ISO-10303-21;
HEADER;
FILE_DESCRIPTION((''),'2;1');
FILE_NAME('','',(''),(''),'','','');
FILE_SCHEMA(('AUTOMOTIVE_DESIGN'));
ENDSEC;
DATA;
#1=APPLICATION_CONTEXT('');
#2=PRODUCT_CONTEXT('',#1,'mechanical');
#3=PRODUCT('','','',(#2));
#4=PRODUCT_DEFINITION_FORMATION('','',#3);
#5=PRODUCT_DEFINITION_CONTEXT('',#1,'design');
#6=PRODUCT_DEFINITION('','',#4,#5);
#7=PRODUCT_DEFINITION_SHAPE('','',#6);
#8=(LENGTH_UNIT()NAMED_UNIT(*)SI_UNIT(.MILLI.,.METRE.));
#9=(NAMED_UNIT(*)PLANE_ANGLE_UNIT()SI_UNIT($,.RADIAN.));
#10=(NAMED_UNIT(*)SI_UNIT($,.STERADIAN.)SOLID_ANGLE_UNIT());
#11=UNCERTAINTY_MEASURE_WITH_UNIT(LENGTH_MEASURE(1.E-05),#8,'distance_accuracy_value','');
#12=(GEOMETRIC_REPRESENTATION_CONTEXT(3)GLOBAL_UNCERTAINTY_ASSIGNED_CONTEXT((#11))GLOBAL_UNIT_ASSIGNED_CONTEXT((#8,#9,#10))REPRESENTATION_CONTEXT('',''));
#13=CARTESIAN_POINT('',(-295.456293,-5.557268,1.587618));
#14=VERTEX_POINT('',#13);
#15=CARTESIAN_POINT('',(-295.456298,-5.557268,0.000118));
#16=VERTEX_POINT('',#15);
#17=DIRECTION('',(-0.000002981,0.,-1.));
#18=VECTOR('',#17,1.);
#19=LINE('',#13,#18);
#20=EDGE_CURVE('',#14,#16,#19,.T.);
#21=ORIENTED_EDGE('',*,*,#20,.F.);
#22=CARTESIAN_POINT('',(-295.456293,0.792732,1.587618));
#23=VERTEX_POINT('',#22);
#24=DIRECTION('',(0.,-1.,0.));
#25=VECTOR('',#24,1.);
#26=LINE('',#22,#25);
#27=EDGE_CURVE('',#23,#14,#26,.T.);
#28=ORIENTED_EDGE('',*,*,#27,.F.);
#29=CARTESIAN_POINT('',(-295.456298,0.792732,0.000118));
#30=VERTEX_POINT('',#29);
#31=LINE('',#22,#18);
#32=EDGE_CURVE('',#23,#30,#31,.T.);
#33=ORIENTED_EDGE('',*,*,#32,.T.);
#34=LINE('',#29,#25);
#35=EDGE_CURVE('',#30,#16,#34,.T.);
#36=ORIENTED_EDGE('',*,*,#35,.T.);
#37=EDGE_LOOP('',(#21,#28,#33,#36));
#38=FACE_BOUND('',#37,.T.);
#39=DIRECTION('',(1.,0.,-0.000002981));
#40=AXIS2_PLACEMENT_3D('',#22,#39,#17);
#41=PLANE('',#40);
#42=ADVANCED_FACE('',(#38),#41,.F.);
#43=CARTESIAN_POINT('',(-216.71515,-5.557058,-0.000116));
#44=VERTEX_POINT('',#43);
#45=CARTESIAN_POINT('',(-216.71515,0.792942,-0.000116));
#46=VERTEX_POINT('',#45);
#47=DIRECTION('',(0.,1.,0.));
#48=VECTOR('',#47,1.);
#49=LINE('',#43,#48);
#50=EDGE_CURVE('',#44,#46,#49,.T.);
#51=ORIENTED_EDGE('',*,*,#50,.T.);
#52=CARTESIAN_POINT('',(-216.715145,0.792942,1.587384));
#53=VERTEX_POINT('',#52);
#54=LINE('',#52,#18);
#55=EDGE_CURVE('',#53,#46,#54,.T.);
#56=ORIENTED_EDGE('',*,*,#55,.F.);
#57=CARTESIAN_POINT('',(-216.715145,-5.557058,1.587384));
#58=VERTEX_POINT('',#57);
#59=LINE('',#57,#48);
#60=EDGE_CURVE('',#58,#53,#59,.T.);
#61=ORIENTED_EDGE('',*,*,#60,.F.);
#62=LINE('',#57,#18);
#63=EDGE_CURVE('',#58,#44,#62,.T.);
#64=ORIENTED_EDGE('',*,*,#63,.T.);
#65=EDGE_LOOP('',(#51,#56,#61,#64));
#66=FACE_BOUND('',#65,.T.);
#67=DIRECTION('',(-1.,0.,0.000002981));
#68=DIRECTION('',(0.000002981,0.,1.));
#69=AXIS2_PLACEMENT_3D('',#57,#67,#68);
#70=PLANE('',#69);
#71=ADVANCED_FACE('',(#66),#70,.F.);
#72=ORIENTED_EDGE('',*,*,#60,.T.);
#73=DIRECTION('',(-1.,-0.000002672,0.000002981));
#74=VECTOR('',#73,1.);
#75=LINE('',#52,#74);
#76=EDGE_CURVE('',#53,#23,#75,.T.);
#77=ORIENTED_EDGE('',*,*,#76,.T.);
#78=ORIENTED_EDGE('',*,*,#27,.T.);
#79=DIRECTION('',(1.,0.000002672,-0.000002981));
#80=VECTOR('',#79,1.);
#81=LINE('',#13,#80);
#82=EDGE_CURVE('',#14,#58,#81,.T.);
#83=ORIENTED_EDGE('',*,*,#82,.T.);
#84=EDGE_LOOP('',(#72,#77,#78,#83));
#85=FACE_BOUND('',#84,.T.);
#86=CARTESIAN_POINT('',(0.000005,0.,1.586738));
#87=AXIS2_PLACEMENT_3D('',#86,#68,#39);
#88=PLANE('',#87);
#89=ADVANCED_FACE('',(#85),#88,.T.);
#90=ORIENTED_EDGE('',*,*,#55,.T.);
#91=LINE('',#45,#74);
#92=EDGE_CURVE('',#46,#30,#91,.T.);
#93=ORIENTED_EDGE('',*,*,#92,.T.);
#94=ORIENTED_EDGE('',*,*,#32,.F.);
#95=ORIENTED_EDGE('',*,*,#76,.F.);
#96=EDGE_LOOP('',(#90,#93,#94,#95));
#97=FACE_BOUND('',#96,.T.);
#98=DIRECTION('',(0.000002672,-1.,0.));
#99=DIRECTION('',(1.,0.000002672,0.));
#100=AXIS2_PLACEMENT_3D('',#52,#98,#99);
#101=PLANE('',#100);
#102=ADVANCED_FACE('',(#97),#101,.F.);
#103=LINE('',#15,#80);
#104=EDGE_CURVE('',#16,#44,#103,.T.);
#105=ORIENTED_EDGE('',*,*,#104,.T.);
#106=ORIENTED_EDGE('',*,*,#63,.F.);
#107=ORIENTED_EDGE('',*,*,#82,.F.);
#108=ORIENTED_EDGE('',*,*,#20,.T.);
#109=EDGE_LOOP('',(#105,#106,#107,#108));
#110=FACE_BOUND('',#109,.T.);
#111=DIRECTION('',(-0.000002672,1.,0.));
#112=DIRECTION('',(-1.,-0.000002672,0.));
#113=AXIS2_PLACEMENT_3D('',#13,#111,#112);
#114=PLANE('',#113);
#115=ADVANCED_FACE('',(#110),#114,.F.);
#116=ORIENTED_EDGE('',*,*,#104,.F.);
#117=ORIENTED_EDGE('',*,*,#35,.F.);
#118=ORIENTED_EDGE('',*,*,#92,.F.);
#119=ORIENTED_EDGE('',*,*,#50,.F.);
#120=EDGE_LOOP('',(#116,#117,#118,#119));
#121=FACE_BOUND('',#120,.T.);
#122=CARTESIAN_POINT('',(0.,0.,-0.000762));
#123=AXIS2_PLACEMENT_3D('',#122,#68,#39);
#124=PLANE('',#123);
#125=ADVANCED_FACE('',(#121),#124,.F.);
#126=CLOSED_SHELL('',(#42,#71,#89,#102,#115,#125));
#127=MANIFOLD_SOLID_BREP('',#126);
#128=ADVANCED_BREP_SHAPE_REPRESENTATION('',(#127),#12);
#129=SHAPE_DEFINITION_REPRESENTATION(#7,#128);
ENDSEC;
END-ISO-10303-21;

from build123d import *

# Parameters (mm, degrees)
BOSS_EXTRUDE1_DEPTH = 1.5875


with BuildPart() as part:
    # Sketch2 → Boss-Extrude1 (new body)
    with BuildSketch(Plane(origin=(-2e-09, 0, -0.000762245), x_dir=(0.9999999999955576, 0, -2.980747777482813e-06), z_dir=(2.980747777482813e-06, 0, 0.9999999999955576))):
        Polygon((-295.456298149, 0.792732058), (-295.456298149, -5.557267942), (-216.715150129, -5.557057567), (-216.715150129, 0.792942433), align=None)
    extrude(amount=BOSS_EXTRUDE1_DEPTH)


solid = part.part
